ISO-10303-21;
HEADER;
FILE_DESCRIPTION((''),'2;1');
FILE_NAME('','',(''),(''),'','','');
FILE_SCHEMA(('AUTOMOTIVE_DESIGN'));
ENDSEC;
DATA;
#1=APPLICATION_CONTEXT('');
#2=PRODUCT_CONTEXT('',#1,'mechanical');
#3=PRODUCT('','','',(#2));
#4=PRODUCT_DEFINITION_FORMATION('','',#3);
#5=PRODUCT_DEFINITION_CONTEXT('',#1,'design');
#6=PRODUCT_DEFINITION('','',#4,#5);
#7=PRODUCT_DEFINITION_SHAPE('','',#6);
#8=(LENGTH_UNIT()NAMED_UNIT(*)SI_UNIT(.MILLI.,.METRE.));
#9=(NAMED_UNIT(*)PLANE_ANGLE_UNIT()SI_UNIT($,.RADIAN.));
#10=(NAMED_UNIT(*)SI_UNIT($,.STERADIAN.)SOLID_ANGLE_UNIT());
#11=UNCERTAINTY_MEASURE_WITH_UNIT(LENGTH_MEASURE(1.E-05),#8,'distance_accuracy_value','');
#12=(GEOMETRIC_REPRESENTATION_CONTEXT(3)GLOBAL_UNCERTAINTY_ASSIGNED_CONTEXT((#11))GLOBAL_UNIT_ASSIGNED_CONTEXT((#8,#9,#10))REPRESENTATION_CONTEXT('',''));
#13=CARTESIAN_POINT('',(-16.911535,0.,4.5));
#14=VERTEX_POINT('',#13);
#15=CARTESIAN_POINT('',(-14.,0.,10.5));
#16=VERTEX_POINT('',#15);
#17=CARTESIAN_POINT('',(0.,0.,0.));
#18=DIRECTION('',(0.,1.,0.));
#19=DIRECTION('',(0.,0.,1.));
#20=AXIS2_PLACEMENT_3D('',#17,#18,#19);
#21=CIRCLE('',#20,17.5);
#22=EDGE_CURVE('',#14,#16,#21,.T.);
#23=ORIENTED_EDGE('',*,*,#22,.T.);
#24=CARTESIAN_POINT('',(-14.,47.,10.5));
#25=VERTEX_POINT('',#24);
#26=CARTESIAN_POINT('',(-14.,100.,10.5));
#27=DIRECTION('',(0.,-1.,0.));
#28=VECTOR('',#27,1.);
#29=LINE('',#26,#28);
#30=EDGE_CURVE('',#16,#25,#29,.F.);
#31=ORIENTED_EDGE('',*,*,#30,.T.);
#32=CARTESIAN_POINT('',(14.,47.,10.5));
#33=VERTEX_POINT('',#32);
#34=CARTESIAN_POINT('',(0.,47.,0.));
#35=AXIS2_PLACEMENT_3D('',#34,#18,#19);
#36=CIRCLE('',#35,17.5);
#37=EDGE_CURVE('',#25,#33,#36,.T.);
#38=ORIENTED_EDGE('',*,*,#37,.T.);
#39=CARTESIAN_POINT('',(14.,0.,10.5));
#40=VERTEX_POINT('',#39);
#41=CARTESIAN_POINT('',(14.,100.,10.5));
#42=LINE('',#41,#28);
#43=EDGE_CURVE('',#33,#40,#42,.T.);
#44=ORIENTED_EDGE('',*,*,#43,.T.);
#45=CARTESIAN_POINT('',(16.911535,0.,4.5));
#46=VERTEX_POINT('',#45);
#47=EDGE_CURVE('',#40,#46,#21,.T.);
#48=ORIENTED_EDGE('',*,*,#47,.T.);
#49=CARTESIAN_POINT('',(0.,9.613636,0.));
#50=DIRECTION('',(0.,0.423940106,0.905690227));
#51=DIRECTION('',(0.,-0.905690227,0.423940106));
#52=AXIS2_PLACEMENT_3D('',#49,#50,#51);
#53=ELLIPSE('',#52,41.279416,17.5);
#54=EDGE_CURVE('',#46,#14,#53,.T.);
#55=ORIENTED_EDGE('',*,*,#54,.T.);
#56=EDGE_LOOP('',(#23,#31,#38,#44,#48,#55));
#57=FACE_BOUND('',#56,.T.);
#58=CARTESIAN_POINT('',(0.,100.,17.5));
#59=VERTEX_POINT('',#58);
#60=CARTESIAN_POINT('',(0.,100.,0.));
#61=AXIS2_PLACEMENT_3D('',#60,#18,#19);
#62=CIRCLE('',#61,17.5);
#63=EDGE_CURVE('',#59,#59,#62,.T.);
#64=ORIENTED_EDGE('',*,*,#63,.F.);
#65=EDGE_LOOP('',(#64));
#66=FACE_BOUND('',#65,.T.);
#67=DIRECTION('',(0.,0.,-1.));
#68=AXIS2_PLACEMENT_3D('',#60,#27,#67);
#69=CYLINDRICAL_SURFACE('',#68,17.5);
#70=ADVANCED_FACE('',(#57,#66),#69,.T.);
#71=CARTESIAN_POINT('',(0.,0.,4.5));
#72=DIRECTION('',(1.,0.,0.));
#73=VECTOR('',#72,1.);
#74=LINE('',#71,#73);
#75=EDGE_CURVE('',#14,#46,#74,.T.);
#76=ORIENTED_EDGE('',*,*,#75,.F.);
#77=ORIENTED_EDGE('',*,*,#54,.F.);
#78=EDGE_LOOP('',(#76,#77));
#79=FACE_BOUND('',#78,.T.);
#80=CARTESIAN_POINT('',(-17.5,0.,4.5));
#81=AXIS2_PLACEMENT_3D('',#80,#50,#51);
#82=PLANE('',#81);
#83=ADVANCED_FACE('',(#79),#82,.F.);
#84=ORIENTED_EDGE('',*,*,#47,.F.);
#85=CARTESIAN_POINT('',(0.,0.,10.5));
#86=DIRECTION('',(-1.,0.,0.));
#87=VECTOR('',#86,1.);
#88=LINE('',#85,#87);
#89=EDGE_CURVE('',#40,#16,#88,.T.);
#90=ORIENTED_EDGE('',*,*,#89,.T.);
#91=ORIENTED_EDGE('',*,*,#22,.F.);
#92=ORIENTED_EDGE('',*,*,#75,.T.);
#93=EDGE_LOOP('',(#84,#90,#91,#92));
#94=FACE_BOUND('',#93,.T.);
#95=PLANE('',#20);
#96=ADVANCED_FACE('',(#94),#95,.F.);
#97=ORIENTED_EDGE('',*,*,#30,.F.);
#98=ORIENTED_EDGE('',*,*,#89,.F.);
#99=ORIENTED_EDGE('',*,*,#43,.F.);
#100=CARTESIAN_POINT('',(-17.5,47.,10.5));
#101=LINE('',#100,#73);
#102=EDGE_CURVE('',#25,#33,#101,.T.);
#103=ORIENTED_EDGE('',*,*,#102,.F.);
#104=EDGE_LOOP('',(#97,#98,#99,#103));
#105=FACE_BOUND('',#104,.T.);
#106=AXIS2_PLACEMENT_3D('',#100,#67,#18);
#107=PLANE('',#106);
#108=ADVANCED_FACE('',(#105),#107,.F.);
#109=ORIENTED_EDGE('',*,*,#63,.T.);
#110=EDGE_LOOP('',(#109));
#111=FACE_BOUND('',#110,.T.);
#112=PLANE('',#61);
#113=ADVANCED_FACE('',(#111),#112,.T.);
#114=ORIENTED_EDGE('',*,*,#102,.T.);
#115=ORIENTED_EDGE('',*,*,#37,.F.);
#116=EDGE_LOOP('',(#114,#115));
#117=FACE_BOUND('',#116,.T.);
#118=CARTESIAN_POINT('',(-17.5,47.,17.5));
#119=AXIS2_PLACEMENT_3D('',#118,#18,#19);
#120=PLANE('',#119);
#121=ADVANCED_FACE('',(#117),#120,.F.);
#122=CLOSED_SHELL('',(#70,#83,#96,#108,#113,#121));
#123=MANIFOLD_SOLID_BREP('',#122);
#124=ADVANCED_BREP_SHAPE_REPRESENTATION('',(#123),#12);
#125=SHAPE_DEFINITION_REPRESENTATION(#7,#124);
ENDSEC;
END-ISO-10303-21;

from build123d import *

# Parameters (mm, degrees)
SKIZZE1_R                            = 17.5
AUFSATZ_LINEAR_AUSTRAGEN1_DEPTH      = 100
SCHNITT_LINEAR_AUSTRAGEN1_DEPTH      = 104.01698889
SCHNITT_LINEAR_AUSTRAGEN1_DEPTH_BACK = 104.01698889
SKIZZE2_W                            = 7
SKIZZE2_H                            = 47


with BuildPart() as part:
    # Skizze1 → Aufsatz-Linear austragen1 (new body)
    with BuildSketch(Plane(origin=(0, 0, 0), x_dir=(1, 0, 0), z_dir=(0, 1, 0))):
        with Locations(Location((0, 0, 0), (0, 0, 270))):
            Circle(SKIZZE1_R)
    extrude(amount=AUFSATZ_LINEAR_AUSTRAGEN1_DEPTH)

    # Skizze2 → Schnitt-Linear austragen1 (cut, two sides: drawn at the far end of the back side and taken through both)
    with BuildSketch(Plane(origin=(0, 0, 0), x_dir=(0, 0, -1), z_dir=(1, 0, 0)).offset(-SCHNITT_LINEAR_AUSTRAGEN1_DEPTH_BACK)):
        with Locations((-14, 23.5)):
            Rectangle(SKIZZE2_W, SKIZZE2_H)
        Polygon((-4.5, 0), (17.5, 47), (17.5, 0), align=None)
    extrude(amount=SCHNITT_LINEAR_AUSTRAGEN1_DEPTH + SCHNITT_LINEAR_AUSTRAGEN1_DEPTH_BACK, mode=Mode.SUBTRACT)


solid = part.part
